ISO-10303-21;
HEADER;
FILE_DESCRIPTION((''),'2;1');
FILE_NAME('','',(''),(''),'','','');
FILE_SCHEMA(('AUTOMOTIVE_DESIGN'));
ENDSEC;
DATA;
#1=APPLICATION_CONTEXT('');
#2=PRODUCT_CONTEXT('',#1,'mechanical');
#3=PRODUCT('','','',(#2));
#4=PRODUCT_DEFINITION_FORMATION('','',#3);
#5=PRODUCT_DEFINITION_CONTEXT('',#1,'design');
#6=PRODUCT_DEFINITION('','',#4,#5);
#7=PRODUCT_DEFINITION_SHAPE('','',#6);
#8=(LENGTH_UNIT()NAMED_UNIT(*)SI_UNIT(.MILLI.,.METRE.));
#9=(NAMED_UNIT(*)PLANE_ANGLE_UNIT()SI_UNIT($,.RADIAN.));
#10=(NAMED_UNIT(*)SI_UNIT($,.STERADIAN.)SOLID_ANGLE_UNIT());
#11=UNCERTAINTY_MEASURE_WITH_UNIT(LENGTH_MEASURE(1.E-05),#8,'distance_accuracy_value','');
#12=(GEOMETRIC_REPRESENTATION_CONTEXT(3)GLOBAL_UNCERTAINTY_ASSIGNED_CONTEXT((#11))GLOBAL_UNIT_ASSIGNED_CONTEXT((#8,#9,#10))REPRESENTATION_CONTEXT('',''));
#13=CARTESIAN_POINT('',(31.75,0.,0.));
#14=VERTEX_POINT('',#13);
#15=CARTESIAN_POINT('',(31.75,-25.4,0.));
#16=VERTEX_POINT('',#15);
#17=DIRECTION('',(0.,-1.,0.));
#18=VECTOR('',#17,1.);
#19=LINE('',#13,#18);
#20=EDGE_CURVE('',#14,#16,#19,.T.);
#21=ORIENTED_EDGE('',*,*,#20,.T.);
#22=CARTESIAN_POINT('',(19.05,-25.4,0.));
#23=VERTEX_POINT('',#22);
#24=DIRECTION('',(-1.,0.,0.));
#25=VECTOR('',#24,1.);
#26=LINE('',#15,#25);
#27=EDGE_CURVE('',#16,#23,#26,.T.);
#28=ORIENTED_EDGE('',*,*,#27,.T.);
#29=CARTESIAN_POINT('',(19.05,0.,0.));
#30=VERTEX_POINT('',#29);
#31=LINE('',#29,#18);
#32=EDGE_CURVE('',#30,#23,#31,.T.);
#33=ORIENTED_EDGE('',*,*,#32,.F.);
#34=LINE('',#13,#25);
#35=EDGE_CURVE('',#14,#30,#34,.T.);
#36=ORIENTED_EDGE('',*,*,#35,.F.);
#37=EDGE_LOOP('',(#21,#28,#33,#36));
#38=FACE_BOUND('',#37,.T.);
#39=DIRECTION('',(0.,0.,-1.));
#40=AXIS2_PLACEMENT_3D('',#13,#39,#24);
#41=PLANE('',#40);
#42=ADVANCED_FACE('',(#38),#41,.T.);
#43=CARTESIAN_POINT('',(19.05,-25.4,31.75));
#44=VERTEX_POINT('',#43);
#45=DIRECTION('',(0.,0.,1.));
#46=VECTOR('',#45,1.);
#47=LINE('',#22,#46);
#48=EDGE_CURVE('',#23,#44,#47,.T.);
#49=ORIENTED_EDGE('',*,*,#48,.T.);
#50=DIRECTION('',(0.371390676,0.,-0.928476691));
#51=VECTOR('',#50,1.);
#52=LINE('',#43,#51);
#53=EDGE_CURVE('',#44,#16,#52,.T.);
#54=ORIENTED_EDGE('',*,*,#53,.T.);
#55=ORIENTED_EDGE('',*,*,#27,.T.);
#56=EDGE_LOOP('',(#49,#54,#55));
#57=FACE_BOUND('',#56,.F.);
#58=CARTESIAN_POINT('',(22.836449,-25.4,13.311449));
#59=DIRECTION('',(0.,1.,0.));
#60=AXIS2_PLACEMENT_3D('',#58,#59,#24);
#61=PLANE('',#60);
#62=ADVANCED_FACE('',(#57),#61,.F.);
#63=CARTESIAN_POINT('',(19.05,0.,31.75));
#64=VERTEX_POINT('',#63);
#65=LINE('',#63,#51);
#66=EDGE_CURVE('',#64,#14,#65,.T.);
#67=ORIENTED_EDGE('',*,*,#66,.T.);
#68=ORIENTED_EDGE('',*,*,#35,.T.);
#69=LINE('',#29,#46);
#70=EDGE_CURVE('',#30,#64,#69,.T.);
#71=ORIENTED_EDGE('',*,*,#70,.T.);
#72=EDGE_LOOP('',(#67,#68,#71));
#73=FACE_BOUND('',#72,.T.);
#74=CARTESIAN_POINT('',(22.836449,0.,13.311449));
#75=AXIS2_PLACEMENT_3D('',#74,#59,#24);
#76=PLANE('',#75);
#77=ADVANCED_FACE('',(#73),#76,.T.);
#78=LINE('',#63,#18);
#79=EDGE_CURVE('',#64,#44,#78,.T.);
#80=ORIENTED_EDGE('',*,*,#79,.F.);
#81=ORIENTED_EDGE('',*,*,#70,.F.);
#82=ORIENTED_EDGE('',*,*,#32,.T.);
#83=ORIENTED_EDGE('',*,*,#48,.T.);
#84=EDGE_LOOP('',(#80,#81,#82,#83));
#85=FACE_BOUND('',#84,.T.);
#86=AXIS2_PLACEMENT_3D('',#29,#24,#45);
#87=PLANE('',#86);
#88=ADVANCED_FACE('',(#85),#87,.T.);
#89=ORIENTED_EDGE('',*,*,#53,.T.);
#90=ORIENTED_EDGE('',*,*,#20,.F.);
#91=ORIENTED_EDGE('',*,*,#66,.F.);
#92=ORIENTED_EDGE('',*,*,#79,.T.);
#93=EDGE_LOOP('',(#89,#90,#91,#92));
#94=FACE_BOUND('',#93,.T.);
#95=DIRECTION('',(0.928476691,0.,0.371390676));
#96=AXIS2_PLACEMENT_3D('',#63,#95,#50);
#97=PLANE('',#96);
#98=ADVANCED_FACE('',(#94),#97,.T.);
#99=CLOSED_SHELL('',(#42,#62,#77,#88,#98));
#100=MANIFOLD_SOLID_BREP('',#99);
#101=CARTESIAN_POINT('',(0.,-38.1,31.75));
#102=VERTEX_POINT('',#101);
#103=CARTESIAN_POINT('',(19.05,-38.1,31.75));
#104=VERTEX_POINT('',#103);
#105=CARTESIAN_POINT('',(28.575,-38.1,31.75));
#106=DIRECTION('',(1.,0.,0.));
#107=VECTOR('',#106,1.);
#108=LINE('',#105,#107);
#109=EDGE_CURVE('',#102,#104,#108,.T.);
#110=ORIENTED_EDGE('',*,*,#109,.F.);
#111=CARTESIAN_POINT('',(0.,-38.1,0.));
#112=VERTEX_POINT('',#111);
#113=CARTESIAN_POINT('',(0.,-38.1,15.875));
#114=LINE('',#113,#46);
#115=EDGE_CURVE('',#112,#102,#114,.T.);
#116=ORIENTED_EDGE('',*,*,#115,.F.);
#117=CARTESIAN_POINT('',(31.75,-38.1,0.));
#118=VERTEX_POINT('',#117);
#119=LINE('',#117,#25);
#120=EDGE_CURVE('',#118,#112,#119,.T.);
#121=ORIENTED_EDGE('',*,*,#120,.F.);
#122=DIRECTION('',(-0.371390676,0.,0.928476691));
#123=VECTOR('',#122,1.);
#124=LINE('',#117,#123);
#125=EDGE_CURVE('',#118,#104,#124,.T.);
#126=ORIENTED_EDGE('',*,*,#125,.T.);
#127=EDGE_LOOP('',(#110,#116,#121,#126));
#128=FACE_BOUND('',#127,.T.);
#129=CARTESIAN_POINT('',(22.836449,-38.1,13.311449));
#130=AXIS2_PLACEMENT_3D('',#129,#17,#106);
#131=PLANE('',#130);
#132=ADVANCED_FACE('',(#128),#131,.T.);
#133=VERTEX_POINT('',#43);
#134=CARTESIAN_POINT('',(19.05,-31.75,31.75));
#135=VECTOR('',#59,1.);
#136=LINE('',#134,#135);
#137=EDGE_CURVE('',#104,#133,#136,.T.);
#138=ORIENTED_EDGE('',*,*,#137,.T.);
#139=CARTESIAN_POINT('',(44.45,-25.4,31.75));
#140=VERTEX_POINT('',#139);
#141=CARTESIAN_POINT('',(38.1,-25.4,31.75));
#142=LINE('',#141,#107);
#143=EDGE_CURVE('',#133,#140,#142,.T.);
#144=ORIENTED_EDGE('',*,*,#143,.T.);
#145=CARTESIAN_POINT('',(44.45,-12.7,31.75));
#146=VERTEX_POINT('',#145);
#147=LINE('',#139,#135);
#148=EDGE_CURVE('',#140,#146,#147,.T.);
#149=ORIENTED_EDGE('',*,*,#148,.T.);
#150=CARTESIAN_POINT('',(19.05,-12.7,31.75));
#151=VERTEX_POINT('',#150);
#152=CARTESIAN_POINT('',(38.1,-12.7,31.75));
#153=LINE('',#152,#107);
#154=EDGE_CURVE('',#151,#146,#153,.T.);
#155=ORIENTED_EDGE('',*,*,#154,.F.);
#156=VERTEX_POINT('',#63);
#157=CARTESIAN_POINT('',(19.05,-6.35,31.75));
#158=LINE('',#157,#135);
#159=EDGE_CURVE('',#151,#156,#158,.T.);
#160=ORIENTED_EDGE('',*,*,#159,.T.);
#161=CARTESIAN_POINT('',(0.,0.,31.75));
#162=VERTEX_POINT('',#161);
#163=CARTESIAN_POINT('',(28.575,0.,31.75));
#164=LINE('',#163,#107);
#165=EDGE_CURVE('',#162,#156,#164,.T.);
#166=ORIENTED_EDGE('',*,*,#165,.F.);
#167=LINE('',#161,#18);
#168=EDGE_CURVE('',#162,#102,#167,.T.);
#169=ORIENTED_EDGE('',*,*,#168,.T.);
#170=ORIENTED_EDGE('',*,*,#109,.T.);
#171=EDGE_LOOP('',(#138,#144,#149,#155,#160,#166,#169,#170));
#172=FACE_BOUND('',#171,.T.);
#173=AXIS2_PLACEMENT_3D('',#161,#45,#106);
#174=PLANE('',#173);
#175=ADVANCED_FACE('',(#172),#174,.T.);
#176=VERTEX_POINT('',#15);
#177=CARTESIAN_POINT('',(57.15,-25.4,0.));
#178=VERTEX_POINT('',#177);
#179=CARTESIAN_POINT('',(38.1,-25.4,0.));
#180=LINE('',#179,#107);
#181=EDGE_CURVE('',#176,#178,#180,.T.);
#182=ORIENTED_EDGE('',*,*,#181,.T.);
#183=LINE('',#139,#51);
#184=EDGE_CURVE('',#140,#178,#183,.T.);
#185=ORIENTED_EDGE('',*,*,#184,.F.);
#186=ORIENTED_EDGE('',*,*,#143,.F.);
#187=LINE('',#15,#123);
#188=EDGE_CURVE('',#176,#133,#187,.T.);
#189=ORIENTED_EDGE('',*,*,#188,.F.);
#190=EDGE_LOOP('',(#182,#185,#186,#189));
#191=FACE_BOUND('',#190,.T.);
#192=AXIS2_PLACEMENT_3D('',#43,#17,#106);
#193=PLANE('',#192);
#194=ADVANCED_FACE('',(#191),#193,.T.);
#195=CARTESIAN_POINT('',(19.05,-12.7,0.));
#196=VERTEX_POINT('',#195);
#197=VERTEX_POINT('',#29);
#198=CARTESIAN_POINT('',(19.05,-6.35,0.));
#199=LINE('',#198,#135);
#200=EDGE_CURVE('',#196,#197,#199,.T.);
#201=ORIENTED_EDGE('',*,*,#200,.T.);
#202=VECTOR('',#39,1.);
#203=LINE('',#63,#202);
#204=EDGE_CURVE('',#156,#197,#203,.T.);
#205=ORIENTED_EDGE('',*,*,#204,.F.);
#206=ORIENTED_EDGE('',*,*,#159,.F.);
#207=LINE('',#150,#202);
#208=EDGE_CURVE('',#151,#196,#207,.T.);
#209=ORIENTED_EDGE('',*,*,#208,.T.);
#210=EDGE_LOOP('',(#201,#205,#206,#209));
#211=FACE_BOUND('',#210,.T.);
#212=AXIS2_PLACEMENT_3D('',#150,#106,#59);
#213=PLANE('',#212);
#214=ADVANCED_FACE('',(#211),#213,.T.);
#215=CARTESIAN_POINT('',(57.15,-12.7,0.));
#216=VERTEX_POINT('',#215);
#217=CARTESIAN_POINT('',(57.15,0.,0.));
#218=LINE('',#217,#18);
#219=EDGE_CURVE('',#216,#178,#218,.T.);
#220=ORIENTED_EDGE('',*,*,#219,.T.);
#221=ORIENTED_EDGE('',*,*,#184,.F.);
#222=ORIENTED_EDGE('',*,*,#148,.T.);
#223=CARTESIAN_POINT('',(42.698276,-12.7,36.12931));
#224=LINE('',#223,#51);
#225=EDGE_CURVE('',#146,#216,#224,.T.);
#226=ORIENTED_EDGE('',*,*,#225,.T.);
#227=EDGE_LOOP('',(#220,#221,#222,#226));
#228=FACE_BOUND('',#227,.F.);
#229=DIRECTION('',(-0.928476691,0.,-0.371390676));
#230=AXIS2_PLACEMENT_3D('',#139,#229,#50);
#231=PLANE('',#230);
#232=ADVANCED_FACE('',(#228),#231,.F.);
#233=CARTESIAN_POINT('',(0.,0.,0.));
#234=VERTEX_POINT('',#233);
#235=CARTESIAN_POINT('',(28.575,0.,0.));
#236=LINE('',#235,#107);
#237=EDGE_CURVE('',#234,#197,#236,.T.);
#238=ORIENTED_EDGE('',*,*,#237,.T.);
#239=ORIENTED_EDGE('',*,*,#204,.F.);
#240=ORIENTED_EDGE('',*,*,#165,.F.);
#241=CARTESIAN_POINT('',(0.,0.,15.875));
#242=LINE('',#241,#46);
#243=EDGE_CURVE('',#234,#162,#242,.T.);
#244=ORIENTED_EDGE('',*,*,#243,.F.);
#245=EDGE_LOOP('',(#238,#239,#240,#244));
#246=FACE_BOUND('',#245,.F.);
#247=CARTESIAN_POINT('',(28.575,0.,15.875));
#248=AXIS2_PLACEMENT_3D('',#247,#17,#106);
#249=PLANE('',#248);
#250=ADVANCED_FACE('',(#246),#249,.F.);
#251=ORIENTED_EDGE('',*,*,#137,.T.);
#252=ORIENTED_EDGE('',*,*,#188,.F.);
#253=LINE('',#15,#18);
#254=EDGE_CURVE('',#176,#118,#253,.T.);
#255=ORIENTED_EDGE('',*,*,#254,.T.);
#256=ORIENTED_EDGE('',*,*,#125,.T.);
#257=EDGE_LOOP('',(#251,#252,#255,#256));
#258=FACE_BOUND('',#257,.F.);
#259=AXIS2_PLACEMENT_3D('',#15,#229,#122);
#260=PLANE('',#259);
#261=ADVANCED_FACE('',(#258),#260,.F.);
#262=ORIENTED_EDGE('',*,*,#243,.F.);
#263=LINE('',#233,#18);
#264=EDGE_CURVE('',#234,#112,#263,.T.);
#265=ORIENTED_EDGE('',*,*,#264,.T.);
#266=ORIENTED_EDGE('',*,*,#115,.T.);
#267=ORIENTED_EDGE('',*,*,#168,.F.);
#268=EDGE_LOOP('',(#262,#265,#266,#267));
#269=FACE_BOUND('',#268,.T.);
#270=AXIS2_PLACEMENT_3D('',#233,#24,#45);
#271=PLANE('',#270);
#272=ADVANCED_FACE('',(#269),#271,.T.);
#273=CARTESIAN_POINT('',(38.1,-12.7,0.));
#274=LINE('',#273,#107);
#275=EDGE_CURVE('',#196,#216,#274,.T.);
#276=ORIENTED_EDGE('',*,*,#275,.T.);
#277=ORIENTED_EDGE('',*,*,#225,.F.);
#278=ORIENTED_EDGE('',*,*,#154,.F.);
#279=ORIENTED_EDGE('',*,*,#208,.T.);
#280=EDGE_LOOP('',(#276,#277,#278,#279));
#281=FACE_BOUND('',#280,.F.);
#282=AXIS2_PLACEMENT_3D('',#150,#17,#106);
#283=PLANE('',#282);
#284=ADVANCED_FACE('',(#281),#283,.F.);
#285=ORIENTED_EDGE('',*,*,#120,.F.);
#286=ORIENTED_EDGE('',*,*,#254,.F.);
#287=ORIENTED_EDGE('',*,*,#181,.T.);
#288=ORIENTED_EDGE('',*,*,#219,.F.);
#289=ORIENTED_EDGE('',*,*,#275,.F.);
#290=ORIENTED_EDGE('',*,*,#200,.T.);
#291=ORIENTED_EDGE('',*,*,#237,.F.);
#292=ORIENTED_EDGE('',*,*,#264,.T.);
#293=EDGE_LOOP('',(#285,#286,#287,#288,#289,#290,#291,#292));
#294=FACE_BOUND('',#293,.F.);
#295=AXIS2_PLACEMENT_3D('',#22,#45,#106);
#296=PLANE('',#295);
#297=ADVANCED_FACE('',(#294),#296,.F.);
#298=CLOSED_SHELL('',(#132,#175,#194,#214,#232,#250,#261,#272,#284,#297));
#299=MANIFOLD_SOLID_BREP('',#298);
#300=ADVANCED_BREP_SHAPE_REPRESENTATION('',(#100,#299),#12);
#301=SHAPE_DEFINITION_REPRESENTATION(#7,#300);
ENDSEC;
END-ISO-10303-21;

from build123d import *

# Parameters (mm, degrees)
F0_W     = 57.15
F0_H     = 31.75
F1_DEPTH = 38.1
F2_W     = 38.1
F2_H     = 12.7
F3_DEPTH = 31.75
F5_DEPTH = 12.7
F7_DEPTH = 25.4
F9_DEPTH = 25.4


with BuildPart() as f1:
    # F0 (on Front) → F1 (new body)
    with BuildSketch(Plane.XZ):
        with Locations((28.575, 15.875)):
            Rectangle(F0_W, F0_H)
    extrude(amount=F1_DEPTH)

    # F2 (on face) → F3 (cut)
    with BuildSketch(Plane.XY.offset(31.75)):
        with Locations((38.1, -31.75)):
            Rectangle(F2_W, F2_H)
        with Locations((38.1, -6.35)):
            Rectangle(F2_W, F2_H)
    extrude(amount=-F3_DEPTH, mode=Mode.SUBTRACT)

    # F4 (on face) → F5 (join)
    with BuildSketch(Plane.XZ.offset(25.4)):
        Polygon((19.05, 31.75), (19.05, 0), (31.75, 0), align=None)
    extrude(amount=F5_DEPTH)

    # F8 (on face) → F9 (cut)
    with BuildSketch(Plane.XZ.offset(25.4)):
        Polygon((57.15, 31.75), (44.45, 31.75), (57.15, 0), align=None)
    extrude(amount=-F9_DEPTH, mode=Mode.SUBTRACT)


with BuildPart() as f7:
    # F6 (on face) → F7 (new body)
    with BuildSketch(Plane(origin=(0, 0, 0), x_dir=(-1, 0, 0), z_dir=(0, 1, 0))):
        Polygon((-31.75, 0), (-19.05, 0), (-19.05, 31.75), align=None)
    extrude(amount=-F7_DEPTH)


solid = Compound([f1.part, f7.part])
